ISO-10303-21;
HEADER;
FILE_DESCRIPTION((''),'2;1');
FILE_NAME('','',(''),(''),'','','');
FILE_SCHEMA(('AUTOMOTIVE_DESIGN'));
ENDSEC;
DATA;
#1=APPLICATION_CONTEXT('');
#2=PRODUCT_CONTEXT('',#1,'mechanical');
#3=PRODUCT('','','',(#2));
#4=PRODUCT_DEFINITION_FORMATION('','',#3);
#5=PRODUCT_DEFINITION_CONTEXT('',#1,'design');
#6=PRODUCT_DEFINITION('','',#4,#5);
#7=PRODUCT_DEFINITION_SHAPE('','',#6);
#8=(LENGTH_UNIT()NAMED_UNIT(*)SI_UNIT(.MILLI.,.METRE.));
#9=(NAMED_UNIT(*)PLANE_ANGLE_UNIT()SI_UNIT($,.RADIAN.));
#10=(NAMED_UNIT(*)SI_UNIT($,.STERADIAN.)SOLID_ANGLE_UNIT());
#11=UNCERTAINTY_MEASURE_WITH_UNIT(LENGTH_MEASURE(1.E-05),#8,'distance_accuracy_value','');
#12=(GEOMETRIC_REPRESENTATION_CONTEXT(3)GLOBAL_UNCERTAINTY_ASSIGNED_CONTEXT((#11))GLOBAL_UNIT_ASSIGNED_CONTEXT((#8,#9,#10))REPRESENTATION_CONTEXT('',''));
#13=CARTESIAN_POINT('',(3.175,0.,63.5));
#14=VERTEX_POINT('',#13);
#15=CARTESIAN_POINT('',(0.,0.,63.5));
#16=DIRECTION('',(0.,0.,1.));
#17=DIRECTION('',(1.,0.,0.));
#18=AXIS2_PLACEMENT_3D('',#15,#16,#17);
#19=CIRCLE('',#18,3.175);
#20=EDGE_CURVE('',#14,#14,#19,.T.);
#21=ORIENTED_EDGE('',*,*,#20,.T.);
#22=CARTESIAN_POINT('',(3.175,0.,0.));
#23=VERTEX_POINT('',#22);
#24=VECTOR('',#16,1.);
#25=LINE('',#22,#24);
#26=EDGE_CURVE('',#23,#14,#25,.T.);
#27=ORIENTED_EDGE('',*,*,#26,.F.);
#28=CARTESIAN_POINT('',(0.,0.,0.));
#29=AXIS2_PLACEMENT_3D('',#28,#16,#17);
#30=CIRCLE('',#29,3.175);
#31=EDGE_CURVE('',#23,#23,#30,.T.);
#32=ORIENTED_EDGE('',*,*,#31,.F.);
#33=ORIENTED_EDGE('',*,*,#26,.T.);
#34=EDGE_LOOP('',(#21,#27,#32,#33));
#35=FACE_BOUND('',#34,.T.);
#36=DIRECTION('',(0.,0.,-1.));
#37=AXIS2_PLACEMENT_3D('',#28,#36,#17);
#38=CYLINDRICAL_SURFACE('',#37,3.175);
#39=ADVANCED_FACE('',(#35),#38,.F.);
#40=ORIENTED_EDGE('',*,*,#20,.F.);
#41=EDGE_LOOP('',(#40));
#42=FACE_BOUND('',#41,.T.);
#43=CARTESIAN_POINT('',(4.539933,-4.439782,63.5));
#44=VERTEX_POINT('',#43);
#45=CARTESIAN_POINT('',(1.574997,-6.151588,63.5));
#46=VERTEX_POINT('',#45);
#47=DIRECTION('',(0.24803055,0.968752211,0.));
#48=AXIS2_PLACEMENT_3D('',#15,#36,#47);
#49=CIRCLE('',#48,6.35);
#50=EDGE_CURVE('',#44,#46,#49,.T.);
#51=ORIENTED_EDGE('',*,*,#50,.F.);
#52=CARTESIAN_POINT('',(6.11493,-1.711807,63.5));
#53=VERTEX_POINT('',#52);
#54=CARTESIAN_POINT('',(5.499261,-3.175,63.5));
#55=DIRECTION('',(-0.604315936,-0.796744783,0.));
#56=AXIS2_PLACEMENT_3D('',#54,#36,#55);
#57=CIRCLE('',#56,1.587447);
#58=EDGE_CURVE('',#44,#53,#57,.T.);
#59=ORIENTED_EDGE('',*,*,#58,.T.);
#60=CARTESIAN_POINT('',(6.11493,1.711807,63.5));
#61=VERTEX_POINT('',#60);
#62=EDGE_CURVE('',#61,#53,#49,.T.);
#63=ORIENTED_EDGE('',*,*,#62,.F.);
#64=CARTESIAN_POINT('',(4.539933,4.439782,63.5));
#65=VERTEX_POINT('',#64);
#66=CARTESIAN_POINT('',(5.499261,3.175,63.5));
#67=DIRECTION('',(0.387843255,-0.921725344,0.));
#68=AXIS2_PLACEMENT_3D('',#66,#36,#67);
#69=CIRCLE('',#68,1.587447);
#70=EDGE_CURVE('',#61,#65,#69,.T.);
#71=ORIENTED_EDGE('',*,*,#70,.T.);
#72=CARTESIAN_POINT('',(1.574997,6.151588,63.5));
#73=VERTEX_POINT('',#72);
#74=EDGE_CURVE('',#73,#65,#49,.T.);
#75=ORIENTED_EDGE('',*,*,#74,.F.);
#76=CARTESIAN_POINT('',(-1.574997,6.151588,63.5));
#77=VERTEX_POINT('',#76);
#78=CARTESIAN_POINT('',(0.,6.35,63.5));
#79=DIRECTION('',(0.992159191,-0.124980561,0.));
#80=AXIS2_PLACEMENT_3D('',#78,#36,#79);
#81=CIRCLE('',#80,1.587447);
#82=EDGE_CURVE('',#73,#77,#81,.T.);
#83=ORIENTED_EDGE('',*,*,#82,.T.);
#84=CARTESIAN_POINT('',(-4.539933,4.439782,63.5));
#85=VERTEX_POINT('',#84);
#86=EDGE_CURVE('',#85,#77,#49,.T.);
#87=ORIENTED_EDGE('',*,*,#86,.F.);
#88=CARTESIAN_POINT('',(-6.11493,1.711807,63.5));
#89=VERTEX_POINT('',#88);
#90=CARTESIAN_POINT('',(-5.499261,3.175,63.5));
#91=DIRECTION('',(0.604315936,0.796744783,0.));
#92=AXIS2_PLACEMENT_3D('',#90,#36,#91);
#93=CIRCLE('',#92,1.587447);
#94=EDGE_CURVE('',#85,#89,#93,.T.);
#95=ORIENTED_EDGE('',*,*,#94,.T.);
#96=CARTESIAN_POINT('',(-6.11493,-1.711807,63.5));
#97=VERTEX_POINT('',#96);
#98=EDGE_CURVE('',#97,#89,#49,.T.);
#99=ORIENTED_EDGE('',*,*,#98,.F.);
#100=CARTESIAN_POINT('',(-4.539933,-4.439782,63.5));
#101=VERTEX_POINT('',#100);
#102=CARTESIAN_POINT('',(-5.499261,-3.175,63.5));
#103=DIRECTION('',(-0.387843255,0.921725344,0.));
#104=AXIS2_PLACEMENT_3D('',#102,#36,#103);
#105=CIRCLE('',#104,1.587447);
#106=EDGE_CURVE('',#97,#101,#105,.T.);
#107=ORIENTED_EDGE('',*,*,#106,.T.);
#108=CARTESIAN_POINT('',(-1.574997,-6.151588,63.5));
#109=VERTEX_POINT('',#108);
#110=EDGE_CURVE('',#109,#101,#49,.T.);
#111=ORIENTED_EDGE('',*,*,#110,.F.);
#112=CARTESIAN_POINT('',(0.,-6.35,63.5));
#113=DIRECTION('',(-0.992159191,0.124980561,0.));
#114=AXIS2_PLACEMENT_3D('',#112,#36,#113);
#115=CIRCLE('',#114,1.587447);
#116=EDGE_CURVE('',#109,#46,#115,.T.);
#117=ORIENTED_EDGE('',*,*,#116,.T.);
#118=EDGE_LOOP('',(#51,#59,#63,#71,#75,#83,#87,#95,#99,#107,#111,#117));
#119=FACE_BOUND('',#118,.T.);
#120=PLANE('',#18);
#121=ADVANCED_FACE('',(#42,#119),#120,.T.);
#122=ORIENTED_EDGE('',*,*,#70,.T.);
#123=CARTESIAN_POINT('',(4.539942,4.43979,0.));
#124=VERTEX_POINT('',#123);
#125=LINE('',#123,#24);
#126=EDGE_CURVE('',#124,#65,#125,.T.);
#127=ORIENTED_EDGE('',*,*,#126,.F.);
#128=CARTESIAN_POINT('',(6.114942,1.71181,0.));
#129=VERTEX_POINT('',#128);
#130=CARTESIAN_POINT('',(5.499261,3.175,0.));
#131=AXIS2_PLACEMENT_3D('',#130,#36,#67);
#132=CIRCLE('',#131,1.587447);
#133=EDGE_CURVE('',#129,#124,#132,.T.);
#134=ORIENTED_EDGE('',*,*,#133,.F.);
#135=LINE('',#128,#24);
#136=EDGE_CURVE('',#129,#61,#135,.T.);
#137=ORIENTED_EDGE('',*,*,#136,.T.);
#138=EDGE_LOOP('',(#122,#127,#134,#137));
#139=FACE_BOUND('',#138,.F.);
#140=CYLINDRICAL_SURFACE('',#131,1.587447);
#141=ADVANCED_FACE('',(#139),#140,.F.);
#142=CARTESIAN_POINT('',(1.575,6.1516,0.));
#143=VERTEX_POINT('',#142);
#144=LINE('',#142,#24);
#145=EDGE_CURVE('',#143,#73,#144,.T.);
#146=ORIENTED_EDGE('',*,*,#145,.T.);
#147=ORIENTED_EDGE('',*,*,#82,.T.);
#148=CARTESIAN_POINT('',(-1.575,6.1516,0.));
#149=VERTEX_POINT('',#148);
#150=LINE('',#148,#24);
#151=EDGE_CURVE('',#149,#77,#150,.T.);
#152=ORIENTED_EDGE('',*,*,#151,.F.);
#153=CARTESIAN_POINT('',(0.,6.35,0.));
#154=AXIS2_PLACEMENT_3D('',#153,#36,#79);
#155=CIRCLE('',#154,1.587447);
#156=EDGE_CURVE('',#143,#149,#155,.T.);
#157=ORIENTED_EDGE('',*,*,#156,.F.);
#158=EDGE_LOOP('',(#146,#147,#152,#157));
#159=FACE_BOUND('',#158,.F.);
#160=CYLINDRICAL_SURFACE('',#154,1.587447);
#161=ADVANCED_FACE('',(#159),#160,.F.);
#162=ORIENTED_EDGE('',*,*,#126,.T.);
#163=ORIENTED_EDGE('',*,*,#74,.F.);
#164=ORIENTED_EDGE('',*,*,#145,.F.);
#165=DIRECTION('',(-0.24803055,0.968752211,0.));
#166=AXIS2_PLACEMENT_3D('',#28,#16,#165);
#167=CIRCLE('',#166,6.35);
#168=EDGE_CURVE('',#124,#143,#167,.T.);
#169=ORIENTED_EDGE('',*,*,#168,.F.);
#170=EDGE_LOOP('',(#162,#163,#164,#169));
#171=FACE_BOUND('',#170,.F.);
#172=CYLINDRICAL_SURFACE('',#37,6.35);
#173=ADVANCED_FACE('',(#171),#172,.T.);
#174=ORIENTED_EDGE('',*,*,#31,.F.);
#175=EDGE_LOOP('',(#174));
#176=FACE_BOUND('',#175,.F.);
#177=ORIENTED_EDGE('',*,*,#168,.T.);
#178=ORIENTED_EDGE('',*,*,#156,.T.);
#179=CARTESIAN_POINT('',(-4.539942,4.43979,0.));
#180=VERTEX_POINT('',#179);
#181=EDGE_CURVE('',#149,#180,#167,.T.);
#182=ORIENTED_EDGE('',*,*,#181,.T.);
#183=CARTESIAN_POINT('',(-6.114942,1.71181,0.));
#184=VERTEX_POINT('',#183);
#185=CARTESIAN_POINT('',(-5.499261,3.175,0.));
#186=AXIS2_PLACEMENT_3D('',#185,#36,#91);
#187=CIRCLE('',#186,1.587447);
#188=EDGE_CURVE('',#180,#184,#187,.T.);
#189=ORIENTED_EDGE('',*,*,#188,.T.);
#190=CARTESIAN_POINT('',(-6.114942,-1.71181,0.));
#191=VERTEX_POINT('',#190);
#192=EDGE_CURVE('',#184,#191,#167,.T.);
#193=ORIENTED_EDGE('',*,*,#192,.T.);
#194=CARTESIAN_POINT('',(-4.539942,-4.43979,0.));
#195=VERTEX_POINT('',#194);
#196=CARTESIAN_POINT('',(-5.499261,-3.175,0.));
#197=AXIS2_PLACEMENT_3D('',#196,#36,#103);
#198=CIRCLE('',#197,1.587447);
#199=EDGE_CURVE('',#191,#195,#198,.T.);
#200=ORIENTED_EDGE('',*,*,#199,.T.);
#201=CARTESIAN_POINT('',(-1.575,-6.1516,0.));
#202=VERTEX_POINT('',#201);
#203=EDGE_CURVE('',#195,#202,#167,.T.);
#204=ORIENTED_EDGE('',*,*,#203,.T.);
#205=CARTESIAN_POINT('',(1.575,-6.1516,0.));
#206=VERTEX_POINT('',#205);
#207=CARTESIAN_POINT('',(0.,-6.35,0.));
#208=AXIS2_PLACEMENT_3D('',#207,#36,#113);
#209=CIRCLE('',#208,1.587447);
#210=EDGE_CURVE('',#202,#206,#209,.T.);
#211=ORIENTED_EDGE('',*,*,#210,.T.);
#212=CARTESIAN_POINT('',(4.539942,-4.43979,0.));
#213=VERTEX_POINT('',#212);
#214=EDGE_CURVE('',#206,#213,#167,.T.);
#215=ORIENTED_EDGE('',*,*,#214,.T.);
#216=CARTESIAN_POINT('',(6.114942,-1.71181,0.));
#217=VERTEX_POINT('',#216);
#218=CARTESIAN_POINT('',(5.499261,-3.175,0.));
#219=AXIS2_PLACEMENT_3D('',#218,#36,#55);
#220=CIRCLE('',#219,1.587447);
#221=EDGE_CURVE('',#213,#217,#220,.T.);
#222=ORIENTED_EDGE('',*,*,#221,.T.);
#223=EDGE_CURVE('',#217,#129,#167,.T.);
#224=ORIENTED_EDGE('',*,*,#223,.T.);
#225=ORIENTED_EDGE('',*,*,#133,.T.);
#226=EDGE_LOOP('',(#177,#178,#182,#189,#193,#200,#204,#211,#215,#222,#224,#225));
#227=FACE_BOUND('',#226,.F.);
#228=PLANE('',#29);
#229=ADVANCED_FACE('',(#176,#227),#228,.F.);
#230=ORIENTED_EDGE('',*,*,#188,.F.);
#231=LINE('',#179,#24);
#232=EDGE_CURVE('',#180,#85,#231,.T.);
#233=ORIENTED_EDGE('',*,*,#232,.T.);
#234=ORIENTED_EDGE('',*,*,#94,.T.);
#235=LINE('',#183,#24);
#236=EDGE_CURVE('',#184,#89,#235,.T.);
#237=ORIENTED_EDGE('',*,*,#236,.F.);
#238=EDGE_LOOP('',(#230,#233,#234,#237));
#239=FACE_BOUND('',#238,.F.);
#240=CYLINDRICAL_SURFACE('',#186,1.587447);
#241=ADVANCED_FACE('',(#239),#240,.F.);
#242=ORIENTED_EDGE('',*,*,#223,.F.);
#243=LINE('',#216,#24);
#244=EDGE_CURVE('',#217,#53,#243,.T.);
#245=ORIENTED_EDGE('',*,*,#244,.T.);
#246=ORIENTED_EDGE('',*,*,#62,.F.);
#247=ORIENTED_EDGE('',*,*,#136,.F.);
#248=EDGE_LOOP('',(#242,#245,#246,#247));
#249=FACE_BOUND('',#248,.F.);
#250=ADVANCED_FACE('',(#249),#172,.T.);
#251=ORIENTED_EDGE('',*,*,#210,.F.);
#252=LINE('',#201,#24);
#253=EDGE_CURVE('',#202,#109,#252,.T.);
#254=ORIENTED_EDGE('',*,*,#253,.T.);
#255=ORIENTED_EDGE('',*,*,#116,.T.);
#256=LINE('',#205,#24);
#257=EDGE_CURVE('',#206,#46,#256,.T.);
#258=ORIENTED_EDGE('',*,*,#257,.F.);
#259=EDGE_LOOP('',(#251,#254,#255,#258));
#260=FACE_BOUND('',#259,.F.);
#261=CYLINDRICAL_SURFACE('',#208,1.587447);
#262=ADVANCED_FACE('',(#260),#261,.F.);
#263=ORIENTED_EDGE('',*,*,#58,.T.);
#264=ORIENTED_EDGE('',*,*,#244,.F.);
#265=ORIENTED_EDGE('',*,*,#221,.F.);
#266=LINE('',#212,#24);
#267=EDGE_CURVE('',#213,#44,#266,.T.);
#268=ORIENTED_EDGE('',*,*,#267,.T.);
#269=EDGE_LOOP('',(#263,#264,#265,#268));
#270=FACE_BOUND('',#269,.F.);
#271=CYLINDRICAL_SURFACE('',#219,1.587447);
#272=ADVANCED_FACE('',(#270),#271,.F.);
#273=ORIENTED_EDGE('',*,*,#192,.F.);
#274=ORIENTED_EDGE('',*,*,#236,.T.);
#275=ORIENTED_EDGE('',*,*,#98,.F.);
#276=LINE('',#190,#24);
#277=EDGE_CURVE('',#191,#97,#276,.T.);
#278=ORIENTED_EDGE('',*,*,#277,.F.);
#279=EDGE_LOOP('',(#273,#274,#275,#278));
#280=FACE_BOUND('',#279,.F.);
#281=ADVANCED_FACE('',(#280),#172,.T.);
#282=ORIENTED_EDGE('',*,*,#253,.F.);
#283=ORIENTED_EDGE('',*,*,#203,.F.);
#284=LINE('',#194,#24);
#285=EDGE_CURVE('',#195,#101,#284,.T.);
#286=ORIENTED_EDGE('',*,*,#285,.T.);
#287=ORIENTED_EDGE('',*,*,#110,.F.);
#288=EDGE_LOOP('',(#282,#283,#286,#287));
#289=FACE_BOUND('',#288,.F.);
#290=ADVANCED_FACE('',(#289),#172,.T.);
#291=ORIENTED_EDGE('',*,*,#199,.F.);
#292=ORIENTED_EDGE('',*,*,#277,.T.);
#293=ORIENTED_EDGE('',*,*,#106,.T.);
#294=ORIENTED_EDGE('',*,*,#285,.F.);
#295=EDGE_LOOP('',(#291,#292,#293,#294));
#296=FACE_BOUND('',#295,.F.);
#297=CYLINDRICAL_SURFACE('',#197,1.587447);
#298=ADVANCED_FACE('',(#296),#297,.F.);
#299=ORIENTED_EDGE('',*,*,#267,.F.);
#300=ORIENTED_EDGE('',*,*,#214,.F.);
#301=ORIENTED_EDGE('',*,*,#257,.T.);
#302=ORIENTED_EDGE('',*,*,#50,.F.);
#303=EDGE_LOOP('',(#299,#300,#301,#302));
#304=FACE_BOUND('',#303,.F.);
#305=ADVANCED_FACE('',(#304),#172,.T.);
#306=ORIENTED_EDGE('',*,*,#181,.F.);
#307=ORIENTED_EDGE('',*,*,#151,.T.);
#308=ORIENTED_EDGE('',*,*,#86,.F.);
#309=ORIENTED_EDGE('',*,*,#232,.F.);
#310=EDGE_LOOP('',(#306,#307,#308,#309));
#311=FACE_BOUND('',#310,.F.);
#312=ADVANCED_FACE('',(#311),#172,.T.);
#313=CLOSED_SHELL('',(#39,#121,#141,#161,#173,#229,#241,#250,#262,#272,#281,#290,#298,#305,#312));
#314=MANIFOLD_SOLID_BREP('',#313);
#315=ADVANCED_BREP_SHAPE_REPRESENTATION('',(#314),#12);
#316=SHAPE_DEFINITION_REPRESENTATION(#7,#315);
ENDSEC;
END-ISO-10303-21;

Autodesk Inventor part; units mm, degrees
ref_plane "YZ Plane" through (0, 0, 0) normal (1, 0, 0) x (0, 1, 0)
ref_plane "XZ Plane" through (0, 0, 0) normal (0, 1, 0) x (-1, 0, 0)
ref_plane "XY Plane" through (0, 0, 0) normal (0, 0, 1) x (1, 0, 0)
sketch "Sketch1" plane through (0, 0, 0) normal (0, 0, 1) x (1, 0, 0)
  circle A0 centre (0, 0) radius 3.175
  circle A1 centre (0, 0) radius 6.35
  dimension "d0" = 12.7
  dimension "d1" = 6.35
extrude "Extrusion1" add sketch "Sketch1" along normal blind 63.5
sketch "Sketch2" plane through (0, 0, 0) normal (0, 0, -1) x (-1, 0, 0)
  circle A0 centre (0, 0) radius 6.35 projected
  arc A1 (-1.575, 6.1516) -> (1.575, 6.1516) centre (0, 6.35) ccw
  line L0 (0, 6.35) -> (0, 0) construction
  arc A2 (1.575, 6.1516) -> (-1.575, 6.1516) centre (0, 0) ccw
  dimension "d4" = 1.5875
extrude "Extrusion2" cut sketch "Sketch2" against normal through all contours A1 A0 picked at (0, 5.8061)
pattern_circular "Circular Pattern1" count 6 over 360 about axis through (0, 0, 0) along (0, 0, 1) of "Extrusion2"
properties part number "HopperPlateOffset" material "Aluminum-6061"
